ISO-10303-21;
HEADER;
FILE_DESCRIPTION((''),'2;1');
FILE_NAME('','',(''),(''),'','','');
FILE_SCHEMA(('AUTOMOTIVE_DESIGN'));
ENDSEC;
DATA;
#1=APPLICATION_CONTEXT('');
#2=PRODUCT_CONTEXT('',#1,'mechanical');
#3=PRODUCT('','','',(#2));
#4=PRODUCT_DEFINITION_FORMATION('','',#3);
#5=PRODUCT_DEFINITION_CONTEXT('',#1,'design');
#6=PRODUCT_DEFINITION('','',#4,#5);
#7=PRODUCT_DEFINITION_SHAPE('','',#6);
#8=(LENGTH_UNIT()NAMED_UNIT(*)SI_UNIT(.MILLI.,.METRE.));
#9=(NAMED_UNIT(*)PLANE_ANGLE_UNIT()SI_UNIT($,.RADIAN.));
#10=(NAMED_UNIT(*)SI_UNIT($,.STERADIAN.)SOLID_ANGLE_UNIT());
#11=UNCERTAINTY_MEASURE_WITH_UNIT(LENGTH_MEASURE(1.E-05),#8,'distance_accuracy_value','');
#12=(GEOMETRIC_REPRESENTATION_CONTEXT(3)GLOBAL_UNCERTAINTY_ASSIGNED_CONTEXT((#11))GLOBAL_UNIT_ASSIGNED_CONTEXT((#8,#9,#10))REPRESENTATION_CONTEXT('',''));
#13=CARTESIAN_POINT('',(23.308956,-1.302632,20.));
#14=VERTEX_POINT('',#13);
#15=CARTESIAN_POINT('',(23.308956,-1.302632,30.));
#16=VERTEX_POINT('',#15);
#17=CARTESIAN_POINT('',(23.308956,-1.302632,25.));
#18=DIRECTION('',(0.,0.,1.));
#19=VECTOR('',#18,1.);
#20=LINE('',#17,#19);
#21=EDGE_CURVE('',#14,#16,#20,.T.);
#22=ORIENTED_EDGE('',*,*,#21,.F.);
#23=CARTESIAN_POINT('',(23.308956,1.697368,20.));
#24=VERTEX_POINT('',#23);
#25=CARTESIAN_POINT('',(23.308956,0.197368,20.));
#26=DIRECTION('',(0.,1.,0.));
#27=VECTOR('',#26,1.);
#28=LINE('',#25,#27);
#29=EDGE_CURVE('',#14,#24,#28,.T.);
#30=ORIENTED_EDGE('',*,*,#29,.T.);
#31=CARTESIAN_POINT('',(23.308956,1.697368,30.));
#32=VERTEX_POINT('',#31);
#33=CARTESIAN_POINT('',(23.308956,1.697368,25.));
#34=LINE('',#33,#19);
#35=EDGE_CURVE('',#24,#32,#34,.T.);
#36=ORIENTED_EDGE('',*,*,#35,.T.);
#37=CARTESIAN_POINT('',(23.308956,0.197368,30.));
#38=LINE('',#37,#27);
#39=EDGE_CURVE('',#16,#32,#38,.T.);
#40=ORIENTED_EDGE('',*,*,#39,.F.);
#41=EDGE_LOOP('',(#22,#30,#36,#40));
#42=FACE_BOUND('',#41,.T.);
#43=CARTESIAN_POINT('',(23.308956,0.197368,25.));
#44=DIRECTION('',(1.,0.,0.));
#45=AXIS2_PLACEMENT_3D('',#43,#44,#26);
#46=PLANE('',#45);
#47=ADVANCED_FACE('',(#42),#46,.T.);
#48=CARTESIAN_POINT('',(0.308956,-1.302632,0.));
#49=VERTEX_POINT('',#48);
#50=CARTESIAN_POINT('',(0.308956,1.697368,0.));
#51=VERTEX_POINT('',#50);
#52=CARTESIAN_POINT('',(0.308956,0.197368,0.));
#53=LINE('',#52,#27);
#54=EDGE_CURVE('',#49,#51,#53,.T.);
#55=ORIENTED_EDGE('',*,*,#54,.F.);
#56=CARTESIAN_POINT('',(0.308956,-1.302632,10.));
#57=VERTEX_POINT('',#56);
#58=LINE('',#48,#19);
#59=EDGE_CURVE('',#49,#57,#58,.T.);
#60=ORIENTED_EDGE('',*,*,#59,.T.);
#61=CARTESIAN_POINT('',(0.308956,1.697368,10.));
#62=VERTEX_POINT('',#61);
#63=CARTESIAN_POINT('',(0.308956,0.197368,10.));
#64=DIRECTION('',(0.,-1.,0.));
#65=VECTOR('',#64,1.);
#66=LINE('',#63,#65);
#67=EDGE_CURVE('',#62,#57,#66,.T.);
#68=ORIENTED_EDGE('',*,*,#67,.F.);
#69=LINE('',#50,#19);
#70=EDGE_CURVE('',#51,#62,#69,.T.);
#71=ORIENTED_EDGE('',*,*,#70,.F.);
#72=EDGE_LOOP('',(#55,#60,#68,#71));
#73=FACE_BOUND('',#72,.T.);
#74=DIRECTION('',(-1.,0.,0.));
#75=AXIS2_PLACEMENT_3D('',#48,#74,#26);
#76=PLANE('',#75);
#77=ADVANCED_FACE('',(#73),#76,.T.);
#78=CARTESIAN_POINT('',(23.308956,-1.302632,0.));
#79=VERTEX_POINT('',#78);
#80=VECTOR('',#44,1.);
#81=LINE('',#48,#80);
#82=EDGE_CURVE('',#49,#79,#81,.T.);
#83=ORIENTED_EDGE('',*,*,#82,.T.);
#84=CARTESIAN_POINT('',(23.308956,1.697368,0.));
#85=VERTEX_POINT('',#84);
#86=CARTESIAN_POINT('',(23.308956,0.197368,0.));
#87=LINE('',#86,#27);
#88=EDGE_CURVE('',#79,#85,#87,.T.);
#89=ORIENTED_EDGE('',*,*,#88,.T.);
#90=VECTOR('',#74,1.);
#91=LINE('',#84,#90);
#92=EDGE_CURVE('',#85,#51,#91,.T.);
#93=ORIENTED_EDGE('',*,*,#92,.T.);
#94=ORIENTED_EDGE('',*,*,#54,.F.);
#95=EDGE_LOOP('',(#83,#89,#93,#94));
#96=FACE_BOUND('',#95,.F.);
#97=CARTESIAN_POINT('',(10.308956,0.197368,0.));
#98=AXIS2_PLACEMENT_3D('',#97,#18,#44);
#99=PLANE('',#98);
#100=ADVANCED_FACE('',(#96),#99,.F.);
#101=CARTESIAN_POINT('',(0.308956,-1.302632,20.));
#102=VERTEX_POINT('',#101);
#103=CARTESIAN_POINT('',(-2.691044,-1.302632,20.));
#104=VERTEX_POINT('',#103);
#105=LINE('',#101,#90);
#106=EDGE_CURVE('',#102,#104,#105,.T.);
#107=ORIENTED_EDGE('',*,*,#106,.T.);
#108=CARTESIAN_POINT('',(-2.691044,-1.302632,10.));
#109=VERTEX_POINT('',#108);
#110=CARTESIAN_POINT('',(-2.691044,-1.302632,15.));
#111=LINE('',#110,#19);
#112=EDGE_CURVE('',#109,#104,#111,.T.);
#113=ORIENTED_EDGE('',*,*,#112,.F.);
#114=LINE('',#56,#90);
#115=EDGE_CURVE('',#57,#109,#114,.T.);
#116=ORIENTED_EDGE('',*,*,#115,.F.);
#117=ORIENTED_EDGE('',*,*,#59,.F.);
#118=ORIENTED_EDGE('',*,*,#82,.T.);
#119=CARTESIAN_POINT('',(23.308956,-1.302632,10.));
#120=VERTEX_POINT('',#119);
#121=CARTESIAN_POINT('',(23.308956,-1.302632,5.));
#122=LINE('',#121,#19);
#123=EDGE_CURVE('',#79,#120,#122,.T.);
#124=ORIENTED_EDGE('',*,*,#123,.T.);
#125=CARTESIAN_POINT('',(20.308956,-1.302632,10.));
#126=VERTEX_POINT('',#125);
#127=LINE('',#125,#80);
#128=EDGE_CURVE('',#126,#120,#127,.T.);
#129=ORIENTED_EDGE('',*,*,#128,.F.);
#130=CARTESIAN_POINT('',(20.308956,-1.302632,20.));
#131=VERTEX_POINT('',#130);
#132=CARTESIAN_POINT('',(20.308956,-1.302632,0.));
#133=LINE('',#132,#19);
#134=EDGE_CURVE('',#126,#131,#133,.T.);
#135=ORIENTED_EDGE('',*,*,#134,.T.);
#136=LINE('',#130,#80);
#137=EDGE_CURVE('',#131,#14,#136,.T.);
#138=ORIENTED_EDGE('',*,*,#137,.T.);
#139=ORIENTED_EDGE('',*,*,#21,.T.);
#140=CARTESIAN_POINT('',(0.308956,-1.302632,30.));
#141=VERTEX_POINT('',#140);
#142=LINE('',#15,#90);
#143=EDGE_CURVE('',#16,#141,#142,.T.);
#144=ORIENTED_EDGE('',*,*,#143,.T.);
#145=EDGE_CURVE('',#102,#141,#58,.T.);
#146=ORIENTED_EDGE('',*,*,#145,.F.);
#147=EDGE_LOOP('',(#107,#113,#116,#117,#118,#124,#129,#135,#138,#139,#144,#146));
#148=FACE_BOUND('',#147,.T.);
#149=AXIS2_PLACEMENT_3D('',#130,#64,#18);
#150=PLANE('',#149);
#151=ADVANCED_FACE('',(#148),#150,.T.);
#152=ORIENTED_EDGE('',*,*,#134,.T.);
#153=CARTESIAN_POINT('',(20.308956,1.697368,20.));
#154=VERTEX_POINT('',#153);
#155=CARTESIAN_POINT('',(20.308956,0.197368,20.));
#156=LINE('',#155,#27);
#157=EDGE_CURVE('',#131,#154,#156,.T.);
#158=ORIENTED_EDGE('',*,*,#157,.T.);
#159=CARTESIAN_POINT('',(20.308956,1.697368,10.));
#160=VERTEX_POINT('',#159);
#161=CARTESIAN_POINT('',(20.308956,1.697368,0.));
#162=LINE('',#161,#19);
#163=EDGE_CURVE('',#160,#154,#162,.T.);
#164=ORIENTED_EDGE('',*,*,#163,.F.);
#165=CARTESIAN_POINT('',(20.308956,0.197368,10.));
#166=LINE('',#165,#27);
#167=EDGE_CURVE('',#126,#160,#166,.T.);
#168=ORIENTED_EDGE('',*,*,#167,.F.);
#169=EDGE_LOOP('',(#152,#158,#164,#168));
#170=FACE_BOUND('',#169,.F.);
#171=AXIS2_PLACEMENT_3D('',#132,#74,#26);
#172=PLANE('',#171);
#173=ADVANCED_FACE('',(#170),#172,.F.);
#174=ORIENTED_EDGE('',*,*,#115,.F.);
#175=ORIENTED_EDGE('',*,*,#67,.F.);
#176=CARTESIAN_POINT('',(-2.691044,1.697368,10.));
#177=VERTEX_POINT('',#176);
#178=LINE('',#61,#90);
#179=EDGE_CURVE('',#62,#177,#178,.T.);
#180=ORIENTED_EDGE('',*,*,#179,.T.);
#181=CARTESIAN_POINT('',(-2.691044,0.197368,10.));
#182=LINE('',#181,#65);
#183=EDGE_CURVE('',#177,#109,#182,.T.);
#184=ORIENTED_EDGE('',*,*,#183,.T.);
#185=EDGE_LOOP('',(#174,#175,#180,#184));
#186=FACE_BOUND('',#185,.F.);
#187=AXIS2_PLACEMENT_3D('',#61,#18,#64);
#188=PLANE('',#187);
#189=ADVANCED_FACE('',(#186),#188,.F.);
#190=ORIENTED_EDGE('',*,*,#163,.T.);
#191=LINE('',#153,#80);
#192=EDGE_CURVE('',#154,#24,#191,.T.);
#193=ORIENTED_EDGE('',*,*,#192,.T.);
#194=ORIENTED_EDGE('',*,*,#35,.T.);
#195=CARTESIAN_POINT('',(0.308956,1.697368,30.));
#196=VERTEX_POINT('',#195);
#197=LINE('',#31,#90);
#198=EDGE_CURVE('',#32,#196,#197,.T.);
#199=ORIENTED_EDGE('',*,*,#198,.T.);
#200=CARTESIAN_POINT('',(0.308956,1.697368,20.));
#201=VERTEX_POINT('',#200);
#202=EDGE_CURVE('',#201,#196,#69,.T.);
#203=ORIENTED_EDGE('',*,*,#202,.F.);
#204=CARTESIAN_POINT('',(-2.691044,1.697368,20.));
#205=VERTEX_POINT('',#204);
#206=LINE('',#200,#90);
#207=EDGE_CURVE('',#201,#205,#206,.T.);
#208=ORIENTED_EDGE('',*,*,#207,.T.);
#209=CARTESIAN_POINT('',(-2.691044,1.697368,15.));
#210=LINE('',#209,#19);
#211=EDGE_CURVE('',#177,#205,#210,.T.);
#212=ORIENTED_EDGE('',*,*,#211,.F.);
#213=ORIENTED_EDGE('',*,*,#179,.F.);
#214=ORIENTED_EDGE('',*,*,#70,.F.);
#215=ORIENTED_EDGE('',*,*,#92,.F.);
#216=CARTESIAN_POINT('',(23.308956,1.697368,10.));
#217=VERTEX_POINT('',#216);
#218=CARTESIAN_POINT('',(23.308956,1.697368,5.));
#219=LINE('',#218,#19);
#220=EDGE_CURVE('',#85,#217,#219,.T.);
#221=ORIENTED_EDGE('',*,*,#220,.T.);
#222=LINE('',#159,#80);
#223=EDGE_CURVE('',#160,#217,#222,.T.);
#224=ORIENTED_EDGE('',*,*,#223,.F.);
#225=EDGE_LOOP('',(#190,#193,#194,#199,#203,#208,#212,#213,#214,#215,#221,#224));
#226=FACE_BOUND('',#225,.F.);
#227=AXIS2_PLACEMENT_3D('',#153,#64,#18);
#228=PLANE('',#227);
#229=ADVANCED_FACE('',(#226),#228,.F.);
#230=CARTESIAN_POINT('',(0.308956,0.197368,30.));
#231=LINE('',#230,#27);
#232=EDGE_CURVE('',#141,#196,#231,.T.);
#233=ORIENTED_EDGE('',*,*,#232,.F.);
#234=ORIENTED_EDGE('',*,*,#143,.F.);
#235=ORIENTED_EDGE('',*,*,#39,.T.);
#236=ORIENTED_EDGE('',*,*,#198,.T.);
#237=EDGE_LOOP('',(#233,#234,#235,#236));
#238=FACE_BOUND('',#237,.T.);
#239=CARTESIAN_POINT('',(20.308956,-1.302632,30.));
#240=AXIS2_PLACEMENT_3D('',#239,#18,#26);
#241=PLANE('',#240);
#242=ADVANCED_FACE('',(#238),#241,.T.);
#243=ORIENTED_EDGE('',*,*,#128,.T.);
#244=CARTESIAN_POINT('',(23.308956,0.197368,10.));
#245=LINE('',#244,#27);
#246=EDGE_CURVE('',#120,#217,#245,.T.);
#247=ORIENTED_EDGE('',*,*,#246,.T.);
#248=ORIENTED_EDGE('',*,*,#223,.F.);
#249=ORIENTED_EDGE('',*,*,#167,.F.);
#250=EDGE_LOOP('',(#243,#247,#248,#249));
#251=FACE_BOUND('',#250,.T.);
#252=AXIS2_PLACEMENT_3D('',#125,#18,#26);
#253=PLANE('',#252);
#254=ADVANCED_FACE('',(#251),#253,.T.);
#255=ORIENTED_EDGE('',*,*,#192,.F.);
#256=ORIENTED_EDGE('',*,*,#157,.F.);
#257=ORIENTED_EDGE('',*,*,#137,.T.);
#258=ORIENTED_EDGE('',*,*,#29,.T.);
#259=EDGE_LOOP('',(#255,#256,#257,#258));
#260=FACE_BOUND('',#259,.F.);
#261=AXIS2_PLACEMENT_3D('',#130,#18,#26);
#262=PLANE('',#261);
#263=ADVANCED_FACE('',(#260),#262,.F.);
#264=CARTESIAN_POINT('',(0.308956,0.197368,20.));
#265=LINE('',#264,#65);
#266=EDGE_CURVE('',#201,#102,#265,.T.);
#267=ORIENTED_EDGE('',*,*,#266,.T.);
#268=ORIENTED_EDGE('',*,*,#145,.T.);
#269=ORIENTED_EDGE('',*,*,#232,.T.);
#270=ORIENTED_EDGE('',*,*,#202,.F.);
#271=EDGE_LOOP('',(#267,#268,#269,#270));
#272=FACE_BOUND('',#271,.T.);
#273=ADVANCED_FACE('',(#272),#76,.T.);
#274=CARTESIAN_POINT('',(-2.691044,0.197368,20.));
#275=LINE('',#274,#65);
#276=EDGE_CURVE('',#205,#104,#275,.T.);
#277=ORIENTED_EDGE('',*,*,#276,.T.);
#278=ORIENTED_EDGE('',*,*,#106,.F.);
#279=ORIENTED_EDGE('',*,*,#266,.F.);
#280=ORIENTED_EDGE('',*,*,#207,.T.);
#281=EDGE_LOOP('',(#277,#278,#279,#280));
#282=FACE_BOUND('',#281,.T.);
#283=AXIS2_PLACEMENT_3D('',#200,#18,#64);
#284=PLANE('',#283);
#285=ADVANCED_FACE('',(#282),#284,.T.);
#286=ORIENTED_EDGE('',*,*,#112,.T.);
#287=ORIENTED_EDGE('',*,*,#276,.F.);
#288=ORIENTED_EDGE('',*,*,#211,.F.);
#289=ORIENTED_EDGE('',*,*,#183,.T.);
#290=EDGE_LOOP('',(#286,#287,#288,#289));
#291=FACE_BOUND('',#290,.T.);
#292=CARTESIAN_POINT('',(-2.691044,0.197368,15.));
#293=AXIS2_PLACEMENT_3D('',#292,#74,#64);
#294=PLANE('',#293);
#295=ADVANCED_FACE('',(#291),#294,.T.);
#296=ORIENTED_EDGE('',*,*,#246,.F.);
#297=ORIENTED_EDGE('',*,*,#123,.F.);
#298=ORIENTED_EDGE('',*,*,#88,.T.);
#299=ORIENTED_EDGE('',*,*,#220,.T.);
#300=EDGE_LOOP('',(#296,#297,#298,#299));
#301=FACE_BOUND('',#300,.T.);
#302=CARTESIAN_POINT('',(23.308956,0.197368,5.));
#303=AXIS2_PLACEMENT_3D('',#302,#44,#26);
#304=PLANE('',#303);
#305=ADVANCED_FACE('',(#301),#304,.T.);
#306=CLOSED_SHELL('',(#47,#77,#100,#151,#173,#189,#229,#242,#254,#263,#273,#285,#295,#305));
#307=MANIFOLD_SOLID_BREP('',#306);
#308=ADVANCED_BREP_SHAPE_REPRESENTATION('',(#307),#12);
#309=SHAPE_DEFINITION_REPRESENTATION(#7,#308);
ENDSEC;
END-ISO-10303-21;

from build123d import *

# Parameters (mm, degrees)
F0_W     = 20
F0_H     = 3
F1_DEPTH = 30
F2_W     = 3
F2_H     = 10
F3_DEPTH = 3
F4_W     = 3
F4_H     = 10
F5_DEPTH = 3


with BuildPart() as f1:
    # F0 (on Top) → F1 (new body)
    with BuildSketch(Plane.XY):
        with Locations((10.308956, 0.197368)):
            Rectangle(F0_W, F0_H)
    extrude(amount=F1_DEPTH)

    # F2 (on face) → F3 (join)
    with BuildSketch(Plane.YZ.offset(20.308956)):
        with Locations((0.197368, 25)):
            Rectangle(F2_W, F2_H)
        with Locations((0.197368, 5)):
            Rectangle(F2_W, F2_H)
    extrude(amount=F3_DEPTH)

    # F4 (on face) → F5 (join)
    with BuildSketch(Plane(origin=(0.308956, 0, 0), x_dir=(0, -1, 0), z_dir=(-1, 0, 0))):
        with Locations((-0.197368, 15)):
            Rectangle(F4_W, F4_H)
    extrude(amount=F5_DEPTH)


solid = f1.part
